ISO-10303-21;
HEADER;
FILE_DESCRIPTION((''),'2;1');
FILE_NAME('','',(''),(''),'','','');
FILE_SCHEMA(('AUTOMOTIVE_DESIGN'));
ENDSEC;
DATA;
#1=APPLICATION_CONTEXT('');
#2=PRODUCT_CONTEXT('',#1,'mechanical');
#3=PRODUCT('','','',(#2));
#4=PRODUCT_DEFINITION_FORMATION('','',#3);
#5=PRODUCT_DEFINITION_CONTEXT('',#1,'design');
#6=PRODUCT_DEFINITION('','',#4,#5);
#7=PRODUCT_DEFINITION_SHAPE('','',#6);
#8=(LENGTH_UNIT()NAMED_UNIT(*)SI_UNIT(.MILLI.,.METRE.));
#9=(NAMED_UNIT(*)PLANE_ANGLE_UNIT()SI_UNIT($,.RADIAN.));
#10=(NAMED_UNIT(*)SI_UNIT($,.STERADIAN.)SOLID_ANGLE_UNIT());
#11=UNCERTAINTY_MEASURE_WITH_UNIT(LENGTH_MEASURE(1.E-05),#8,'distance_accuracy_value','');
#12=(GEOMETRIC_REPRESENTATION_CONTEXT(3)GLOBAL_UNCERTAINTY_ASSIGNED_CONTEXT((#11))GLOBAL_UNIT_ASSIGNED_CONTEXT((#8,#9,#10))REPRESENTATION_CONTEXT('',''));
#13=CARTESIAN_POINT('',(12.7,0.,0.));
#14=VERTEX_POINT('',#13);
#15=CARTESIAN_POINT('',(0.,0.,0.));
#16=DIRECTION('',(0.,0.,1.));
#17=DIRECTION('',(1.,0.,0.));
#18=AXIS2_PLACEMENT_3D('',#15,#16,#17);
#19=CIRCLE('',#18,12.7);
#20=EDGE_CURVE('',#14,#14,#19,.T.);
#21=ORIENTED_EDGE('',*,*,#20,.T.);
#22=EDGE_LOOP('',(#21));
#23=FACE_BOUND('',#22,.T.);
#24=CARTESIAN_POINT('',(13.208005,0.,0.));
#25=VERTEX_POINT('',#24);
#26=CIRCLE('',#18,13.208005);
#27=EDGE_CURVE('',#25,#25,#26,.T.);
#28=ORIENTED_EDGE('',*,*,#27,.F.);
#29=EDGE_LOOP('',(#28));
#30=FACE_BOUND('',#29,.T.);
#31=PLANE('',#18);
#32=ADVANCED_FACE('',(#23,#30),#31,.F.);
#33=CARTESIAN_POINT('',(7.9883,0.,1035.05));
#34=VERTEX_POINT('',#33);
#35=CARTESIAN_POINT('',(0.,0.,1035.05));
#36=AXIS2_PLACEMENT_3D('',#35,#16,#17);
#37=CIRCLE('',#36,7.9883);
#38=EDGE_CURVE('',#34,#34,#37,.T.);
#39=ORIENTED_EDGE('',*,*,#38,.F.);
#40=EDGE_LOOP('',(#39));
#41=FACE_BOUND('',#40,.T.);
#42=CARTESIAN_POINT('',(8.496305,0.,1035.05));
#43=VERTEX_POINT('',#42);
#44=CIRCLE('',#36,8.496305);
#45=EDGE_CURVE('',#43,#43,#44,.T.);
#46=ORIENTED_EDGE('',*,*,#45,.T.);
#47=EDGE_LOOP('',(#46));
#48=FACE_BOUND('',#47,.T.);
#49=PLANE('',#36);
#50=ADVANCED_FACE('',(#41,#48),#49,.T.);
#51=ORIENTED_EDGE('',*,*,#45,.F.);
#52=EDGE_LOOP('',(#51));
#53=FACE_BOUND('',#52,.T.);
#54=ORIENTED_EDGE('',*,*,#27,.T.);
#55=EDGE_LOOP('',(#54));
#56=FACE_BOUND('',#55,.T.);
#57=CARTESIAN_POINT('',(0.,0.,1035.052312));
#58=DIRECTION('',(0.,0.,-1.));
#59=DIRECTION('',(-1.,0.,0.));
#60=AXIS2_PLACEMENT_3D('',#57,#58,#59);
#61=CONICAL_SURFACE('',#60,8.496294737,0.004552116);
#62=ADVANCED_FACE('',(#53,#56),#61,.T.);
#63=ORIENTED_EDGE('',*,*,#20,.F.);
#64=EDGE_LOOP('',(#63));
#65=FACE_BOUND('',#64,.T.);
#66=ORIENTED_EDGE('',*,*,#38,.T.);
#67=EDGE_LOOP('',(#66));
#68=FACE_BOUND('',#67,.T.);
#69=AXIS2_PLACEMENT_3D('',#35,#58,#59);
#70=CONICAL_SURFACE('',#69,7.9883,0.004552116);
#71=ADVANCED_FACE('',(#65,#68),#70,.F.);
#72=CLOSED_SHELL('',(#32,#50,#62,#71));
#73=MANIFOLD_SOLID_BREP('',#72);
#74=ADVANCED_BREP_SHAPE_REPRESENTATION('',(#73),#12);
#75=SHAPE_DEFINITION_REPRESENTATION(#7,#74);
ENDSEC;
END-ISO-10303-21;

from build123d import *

# Parameters (mm, degrees)
SKETCH3_R = 7.9883
SKETCH1_R = 12.7
SHELL1_T  = 0.508


with BuildPart() as part:
    # Sketch3 → Loft1 section 0
    with BuildSketch(Plane.XY.offset(1035.05)):
        Circle(SKETCH3_R)
    # Sketch1 → Loft1 section 1
    with BuildSketch(Plane.XY):
        Circle(SKETCH1_R)
    loft()

    # Shell1
    shell1_openings = [part.faces().sort_by_distance(p)[0] for p in [
        (0, 0, 1035.05),
        (0, 0, 0),
    ]]
    offset(amount=SHELL1_T, openings=shell1_openings, kind=Kind.INTERSECTION)


solid = part.part
